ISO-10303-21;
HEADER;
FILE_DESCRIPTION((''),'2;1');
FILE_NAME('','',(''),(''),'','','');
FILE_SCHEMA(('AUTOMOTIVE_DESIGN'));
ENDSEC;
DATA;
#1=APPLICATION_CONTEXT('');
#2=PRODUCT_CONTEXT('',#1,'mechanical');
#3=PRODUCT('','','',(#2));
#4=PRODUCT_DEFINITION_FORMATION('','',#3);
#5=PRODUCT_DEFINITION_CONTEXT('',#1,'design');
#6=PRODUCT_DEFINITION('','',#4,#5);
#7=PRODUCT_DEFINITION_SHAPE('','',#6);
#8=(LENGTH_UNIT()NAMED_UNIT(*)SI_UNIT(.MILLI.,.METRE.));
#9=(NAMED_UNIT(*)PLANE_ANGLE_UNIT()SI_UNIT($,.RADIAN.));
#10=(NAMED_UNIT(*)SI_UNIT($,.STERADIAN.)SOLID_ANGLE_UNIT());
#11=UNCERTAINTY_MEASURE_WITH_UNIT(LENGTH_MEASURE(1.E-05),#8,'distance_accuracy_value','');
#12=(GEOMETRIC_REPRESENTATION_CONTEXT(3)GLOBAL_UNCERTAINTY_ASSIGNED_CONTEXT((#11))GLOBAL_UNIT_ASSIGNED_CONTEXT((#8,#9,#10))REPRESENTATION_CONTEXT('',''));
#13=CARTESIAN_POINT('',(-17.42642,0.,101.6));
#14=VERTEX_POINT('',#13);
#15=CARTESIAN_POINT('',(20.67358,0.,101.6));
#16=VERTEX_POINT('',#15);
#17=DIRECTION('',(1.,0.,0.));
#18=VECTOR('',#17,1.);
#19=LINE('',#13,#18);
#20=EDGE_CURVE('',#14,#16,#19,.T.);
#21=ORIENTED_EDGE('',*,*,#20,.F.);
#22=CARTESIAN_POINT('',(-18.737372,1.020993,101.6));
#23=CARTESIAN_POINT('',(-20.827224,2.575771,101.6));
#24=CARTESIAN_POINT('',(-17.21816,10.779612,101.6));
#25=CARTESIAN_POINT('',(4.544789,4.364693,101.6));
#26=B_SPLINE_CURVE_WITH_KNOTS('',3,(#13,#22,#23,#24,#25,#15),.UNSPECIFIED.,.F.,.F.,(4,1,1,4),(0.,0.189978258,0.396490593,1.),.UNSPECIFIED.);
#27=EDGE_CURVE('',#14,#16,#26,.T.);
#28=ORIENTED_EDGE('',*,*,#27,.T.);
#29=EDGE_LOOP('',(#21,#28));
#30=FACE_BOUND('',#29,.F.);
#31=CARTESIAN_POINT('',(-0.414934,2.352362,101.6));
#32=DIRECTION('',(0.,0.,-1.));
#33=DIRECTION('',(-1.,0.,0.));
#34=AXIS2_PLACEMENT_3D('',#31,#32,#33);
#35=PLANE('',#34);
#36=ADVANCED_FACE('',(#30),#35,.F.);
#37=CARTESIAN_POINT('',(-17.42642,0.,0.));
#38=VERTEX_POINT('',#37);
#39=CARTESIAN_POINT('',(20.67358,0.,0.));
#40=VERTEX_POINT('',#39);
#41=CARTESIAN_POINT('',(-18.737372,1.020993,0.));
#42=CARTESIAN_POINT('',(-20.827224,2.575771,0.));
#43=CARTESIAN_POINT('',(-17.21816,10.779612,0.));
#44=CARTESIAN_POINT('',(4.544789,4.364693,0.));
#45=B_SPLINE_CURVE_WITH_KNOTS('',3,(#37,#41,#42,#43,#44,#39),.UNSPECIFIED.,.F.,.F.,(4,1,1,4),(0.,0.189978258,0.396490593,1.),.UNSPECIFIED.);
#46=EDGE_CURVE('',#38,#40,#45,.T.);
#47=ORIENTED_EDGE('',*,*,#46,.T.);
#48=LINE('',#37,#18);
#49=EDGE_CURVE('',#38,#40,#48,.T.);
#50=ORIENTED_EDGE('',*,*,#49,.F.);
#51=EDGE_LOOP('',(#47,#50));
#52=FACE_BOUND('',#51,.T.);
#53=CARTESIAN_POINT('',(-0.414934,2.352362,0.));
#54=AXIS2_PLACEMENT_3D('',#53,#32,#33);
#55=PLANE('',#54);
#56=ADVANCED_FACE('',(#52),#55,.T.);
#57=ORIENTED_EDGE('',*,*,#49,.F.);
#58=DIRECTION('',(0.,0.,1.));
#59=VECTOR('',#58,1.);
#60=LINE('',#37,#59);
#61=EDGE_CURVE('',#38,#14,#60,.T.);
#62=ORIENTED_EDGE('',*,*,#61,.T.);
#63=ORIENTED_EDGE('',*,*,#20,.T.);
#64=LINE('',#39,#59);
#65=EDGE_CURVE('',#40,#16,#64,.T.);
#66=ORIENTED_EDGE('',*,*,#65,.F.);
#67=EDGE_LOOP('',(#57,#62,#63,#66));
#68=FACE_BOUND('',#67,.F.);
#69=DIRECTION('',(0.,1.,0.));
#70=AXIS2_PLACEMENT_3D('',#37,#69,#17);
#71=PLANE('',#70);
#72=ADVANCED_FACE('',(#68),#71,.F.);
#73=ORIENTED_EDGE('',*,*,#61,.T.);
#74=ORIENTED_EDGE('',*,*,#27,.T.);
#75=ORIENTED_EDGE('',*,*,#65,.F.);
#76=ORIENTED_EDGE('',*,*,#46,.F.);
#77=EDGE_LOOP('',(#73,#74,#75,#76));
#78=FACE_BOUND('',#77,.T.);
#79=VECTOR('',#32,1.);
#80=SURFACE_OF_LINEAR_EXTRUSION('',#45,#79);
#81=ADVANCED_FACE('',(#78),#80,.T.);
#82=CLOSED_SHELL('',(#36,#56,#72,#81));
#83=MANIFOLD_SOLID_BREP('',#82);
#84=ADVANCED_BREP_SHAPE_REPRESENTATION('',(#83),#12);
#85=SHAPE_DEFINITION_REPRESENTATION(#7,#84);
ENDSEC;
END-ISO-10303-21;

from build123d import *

# Parameters (mm, degrees)
F1_DEPTH = 101.6


with BuildPart() as f1:
    # F0 (on Top) → F1 (new body)
    with BuildSketch(Plane.XY):
        with BuildLine():
            add(Edge.make_bspline(
                [(-17.4264201114, 0), (-18.7373724035, 1.020992697), (-20.827223963, 2.5757712838), (-17.2181603648, 10.7796117361), (4.5447890889, 4.364693325), (20.6735798886, 0)],
                knots=[0, 0, 0, 0, 0.1899782576, 0.3964905932, 1, 1, 1, 1], degree=3))
            Line((-17.4264201114, 0), (20.6735798886, 0))
        make_face()
    extrude(amount=F1_DEPTH)


solid = f1.part
